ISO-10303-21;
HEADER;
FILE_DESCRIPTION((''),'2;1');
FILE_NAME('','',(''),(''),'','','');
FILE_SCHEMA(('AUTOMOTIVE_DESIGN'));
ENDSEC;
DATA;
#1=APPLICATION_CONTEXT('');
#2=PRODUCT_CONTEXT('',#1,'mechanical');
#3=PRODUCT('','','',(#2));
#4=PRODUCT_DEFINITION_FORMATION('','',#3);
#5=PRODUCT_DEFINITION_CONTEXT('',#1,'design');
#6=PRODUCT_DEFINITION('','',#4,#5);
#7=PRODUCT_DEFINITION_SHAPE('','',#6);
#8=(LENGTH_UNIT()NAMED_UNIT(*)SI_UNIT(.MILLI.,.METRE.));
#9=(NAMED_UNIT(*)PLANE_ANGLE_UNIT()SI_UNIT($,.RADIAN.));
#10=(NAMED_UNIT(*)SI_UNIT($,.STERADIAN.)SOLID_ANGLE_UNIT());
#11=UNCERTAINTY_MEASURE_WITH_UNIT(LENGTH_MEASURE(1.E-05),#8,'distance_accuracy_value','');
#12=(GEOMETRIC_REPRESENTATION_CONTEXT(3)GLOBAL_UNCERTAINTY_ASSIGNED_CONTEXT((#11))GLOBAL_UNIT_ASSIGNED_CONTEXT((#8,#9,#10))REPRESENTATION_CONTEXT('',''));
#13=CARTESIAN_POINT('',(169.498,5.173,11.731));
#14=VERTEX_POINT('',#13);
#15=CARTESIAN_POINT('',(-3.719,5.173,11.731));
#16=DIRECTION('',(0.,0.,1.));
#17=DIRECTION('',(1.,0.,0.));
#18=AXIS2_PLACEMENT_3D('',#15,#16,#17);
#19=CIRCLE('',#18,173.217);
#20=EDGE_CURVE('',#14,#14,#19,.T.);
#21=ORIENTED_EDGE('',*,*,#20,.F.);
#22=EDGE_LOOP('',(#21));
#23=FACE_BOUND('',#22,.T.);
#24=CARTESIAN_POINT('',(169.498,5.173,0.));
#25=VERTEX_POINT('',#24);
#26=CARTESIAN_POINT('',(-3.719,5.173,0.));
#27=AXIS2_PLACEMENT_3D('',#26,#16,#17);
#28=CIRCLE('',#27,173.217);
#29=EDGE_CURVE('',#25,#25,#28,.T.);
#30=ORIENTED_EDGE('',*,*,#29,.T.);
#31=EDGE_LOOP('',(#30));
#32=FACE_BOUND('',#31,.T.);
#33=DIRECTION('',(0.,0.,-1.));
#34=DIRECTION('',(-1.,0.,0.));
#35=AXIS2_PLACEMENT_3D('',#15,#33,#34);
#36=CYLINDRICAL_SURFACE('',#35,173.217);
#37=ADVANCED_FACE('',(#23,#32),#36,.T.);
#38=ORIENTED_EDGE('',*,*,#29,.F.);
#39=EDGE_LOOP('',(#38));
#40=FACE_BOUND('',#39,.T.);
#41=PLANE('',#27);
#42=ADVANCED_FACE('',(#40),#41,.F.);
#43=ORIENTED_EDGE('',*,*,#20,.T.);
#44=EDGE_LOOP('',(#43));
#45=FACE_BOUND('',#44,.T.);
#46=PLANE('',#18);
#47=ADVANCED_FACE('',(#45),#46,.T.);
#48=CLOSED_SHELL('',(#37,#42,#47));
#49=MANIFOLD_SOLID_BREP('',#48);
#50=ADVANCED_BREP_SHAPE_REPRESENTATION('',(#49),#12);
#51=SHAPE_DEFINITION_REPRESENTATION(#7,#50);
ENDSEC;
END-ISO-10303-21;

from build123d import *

# Parameters (mm, degrees)
CURVESKETCH_R   = 173.217
CURVEBOSS_DEPTH = 11.731


with BuildPart() as part:
    # CurveSketch → CurveBoss (new body)
    with BuildSketch(Plane.XY):
        with Locations((-3.719, 5.173)):
            Circle(CURVESKETCH_R)
    extrude(amount=CURVEBOSS_DEPTH)


solid = part.part
